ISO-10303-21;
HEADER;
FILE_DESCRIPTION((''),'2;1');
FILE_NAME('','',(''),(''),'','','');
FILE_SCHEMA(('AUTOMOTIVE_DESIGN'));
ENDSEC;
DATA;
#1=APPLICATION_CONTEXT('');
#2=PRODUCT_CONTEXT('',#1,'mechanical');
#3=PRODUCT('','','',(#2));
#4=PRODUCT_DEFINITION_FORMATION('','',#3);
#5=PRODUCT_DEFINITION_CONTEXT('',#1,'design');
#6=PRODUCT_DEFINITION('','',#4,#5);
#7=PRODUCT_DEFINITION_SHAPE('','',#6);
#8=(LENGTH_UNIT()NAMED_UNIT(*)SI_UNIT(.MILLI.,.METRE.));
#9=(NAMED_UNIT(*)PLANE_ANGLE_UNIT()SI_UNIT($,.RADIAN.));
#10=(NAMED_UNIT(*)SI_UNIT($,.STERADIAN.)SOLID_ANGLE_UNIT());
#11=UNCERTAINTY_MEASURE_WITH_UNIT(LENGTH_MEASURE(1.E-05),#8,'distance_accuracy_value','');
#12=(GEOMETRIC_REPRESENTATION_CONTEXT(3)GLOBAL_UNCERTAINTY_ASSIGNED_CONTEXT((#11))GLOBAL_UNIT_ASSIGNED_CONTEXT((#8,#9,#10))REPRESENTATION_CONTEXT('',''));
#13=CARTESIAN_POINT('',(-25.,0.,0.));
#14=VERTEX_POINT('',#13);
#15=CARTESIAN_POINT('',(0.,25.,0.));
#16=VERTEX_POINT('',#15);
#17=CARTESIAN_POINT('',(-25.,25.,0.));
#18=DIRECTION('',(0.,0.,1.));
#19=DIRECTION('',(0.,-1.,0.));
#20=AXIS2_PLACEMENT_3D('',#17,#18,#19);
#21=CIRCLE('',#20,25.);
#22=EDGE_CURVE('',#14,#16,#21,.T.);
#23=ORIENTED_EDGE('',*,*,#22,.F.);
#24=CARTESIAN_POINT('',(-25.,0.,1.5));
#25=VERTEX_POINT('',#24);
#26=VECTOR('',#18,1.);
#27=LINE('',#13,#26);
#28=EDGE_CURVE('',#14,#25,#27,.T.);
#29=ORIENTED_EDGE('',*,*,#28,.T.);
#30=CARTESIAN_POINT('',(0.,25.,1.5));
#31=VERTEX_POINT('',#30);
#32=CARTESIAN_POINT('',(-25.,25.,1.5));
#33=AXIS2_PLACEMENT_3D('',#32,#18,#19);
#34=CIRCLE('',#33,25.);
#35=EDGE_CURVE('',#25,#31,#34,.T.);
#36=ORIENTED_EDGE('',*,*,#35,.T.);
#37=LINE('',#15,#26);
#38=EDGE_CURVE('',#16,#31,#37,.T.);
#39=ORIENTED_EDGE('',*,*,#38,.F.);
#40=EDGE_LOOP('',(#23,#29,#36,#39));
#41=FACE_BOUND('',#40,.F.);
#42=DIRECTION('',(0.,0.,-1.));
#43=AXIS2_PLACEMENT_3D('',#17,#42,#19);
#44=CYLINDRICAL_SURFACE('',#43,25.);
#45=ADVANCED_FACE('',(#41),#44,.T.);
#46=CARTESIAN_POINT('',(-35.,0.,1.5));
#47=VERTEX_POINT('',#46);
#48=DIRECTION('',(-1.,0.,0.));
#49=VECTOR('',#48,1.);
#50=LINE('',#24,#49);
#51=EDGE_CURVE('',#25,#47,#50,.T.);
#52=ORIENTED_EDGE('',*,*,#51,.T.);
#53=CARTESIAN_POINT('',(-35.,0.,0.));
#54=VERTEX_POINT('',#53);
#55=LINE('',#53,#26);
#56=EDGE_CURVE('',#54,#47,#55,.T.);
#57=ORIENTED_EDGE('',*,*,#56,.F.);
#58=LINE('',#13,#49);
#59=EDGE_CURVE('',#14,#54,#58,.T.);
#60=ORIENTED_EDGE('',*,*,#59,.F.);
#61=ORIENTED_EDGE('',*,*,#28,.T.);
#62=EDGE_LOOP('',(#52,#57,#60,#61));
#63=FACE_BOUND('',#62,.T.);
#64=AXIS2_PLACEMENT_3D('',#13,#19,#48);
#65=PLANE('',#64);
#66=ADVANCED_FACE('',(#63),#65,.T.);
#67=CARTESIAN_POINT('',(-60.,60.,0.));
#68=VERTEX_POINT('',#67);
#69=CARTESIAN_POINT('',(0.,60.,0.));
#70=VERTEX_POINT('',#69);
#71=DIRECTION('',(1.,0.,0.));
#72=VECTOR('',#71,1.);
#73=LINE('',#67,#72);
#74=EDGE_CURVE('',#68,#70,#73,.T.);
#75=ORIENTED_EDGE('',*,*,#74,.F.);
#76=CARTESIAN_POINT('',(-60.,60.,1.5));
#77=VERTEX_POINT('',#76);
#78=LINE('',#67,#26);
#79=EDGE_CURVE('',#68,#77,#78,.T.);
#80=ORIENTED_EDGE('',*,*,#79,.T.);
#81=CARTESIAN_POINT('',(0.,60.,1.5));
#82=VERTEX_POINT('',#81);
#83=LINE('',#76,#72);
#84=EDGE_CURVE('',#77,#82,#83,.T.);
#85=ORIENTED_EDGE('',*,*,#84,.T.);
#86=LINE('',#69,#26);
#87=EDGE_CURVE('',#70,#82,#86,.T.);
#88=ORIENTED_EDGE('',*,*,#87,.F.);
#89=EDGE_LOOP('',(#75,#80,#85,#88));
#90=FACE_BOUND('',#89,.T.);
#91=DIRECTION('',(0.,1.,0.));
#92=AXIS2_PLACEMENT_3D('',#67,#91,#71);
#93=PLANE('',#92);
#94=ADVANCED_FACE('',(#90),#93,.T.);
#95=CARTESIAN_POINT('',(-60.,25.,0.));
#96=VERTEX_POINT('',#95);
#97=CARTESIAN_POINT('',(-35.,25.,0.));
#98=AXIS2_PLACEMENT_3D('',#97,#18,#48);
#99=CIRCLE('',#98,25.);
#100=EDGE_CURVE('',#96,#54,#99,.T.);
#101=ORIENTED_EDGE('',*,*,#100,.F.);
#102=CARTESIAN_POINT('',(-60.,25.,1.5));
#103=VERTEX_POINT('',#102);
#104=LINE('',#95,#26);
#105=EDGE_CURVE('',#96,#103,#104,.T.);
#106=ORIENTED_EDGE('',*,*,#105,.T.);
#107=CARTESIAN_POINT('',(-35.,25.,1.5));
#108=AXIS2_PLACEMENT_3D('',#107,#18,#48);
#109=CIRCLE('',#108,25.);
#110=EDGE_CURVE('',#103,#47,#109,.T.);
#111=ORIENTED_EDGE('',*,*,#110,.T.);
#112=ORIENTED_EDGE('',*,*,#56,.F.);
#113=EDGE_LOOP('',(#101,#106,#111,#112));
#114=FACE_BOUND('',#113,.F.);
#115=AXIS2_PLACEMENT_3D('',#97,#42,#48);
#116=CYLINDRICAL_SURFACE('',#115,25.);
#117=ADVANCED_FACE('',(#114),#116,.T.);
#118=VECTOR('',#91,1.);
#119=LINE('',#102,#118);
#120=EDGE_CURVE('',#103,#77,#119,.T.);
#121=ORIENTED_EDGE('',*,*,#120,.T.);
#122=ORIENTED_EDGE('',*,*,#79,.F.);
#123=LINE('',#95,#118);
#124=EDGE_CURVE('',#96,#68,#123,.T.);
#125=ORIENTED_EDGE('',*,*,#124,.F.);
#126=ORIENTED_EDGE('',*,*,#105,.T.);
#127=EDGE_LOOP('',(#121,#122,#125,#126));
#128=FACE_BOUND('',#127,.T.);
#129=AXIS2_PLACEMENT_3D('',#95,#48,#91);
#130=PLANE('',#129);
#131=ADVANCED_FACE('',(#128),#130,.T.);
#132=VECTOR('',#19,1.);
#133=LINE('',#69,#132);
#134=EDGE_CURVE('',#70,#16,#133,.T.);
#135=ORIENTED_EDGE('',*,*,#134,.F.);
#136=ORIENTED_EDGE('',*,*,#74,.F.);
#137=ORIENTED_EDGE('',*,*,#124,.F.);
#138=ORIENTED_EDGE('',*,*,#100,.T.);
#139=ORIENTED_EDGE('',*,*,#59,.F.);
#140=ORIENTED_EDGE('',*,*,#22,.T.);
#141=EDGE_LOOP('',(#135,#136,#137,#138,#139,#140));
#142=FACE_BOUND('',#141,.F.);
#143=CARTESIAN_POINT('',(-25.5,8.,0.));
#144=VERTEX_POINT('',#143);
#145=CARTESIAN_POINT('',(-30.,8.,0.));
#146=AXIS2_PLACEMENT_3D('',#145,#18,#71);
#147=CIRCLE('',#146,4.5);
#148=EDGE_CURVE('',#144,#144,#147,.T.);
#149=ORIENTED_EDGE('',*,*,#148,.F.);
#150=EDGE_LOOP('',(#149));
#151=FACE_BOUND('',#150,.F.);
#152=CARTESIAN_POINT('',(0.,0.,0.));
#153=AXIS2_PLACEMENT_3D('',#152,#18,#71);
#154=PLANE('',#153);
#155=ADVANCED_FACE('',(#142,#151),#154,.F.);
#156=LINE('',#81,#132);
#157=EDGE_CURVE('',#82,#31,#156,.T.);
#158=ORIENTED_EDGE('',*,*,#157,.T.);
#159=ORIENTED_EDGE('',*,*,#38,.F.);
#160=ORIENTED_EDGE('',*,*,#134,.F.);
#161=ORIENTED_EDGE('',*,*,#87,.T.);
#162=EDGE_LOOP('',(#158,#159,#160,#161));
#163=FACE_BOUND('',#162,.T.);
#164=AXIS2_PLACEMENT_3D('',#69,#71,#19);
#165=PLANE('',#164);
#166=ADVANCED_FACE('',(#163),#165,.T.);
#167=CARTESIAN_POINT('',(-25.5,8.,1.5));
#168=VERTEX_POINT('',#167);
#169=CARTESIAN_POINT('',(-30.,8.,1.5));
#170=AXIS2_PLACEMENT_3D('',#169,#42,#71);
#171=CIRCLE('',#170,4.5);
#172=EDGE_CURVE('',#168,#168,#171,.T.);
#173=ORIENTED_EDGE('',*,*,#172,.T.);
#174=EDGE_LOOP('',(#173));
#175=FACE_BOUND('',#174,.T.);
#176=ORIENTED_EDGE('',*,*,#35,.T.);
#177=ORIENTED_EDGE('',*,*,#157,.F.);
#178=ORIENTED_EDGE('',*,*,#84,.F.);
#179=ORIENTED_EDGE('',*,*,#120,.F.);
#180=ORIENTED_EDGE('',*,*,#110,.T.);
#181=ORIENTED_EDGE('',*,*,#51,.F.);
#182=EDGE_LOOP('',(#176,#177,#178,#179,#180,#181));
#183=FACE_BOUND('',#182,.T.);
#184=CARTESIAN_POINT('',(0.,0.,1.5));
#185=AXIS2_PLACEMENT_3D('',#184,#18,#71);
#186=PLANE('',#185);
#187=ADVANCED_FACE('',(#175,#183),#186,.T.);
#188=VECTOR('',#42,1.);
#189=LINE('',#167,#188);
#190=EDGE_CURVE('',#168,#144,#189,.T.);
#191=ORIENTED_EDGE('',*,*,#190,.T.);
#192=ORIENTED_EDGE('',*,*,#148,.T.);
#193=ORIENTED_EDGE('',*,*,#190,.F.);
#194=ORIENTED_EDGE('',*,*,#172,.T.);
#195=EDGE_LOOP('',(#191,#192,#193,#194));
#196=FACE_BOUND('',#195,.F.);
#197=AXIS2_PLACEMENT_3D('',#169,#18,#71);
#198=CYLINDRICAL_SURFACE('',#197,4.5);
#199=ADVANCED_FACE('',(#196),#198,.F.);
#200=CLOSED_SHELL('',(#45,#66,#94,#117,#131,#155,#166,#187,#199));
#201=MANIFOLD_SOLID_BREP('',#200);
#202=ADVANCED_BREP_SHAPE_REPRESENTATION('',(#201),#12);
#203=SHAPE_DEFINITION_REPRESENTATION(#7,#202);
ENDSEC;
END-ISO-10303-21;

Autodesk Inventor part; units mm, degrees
ref_plane "YZ Plane" through (0, 0, 0) normal (1, 0, 0) x (0, 1, 0)
ref_plane "XZ Plane" through (0, 0, 0) normal (0, 1, 0) x (-1, 0, 0)
ref_plane "XY Plane" through (0, 0, 0) normal (0, 0, 1) x (1, 0, 0)
sketch "Sketch1" plane through (0, 0, 0) normal (0, 0, 1) x (1, 0, 0)
  line L0 (-25, 0) -> (-35, 0)
  line L1 (-60, 25) -> (-60, 60)
  line L2 (-60, 60) -> (0, 60)
  line L3 (0, 60) -> (0, 25)
  arc A0 (-25, 0) -> (0, 25) centre (-25, 25) ccw
  arc A1 (-60, 25) -> (-35, 0) centre (-35, 25) ccw
  point P0 (0, 0)
  point P1 (-60, 0)
  dimension "d0" = 60
  dimension "d1" = 60
  dimension "d9" = 25
extrude "Extrusion1" add sketch "Sketch1" along normal blind 1.5
sketch "Sketch2" plane through (0, 0, 1.5) normal (0, 0, 1) x (1, 0, 0)
  line L0 (0, 0) -> (-30, 0)
  line L1 (-35, 0) -> (0, 0) projected
  line L2 (-30, 3.5) -> (-30, 8)
  circle A0 centre (-30, 8) radius 4.5
  point P0 (-60, 0)
  dimension "d6" = 9
  dimension "d4" = 30
  dimension "d5" = 8
extrude "Extrusion2" cut sketch "Sketch2" against normal blind 1.5
properties part number "clamp"
